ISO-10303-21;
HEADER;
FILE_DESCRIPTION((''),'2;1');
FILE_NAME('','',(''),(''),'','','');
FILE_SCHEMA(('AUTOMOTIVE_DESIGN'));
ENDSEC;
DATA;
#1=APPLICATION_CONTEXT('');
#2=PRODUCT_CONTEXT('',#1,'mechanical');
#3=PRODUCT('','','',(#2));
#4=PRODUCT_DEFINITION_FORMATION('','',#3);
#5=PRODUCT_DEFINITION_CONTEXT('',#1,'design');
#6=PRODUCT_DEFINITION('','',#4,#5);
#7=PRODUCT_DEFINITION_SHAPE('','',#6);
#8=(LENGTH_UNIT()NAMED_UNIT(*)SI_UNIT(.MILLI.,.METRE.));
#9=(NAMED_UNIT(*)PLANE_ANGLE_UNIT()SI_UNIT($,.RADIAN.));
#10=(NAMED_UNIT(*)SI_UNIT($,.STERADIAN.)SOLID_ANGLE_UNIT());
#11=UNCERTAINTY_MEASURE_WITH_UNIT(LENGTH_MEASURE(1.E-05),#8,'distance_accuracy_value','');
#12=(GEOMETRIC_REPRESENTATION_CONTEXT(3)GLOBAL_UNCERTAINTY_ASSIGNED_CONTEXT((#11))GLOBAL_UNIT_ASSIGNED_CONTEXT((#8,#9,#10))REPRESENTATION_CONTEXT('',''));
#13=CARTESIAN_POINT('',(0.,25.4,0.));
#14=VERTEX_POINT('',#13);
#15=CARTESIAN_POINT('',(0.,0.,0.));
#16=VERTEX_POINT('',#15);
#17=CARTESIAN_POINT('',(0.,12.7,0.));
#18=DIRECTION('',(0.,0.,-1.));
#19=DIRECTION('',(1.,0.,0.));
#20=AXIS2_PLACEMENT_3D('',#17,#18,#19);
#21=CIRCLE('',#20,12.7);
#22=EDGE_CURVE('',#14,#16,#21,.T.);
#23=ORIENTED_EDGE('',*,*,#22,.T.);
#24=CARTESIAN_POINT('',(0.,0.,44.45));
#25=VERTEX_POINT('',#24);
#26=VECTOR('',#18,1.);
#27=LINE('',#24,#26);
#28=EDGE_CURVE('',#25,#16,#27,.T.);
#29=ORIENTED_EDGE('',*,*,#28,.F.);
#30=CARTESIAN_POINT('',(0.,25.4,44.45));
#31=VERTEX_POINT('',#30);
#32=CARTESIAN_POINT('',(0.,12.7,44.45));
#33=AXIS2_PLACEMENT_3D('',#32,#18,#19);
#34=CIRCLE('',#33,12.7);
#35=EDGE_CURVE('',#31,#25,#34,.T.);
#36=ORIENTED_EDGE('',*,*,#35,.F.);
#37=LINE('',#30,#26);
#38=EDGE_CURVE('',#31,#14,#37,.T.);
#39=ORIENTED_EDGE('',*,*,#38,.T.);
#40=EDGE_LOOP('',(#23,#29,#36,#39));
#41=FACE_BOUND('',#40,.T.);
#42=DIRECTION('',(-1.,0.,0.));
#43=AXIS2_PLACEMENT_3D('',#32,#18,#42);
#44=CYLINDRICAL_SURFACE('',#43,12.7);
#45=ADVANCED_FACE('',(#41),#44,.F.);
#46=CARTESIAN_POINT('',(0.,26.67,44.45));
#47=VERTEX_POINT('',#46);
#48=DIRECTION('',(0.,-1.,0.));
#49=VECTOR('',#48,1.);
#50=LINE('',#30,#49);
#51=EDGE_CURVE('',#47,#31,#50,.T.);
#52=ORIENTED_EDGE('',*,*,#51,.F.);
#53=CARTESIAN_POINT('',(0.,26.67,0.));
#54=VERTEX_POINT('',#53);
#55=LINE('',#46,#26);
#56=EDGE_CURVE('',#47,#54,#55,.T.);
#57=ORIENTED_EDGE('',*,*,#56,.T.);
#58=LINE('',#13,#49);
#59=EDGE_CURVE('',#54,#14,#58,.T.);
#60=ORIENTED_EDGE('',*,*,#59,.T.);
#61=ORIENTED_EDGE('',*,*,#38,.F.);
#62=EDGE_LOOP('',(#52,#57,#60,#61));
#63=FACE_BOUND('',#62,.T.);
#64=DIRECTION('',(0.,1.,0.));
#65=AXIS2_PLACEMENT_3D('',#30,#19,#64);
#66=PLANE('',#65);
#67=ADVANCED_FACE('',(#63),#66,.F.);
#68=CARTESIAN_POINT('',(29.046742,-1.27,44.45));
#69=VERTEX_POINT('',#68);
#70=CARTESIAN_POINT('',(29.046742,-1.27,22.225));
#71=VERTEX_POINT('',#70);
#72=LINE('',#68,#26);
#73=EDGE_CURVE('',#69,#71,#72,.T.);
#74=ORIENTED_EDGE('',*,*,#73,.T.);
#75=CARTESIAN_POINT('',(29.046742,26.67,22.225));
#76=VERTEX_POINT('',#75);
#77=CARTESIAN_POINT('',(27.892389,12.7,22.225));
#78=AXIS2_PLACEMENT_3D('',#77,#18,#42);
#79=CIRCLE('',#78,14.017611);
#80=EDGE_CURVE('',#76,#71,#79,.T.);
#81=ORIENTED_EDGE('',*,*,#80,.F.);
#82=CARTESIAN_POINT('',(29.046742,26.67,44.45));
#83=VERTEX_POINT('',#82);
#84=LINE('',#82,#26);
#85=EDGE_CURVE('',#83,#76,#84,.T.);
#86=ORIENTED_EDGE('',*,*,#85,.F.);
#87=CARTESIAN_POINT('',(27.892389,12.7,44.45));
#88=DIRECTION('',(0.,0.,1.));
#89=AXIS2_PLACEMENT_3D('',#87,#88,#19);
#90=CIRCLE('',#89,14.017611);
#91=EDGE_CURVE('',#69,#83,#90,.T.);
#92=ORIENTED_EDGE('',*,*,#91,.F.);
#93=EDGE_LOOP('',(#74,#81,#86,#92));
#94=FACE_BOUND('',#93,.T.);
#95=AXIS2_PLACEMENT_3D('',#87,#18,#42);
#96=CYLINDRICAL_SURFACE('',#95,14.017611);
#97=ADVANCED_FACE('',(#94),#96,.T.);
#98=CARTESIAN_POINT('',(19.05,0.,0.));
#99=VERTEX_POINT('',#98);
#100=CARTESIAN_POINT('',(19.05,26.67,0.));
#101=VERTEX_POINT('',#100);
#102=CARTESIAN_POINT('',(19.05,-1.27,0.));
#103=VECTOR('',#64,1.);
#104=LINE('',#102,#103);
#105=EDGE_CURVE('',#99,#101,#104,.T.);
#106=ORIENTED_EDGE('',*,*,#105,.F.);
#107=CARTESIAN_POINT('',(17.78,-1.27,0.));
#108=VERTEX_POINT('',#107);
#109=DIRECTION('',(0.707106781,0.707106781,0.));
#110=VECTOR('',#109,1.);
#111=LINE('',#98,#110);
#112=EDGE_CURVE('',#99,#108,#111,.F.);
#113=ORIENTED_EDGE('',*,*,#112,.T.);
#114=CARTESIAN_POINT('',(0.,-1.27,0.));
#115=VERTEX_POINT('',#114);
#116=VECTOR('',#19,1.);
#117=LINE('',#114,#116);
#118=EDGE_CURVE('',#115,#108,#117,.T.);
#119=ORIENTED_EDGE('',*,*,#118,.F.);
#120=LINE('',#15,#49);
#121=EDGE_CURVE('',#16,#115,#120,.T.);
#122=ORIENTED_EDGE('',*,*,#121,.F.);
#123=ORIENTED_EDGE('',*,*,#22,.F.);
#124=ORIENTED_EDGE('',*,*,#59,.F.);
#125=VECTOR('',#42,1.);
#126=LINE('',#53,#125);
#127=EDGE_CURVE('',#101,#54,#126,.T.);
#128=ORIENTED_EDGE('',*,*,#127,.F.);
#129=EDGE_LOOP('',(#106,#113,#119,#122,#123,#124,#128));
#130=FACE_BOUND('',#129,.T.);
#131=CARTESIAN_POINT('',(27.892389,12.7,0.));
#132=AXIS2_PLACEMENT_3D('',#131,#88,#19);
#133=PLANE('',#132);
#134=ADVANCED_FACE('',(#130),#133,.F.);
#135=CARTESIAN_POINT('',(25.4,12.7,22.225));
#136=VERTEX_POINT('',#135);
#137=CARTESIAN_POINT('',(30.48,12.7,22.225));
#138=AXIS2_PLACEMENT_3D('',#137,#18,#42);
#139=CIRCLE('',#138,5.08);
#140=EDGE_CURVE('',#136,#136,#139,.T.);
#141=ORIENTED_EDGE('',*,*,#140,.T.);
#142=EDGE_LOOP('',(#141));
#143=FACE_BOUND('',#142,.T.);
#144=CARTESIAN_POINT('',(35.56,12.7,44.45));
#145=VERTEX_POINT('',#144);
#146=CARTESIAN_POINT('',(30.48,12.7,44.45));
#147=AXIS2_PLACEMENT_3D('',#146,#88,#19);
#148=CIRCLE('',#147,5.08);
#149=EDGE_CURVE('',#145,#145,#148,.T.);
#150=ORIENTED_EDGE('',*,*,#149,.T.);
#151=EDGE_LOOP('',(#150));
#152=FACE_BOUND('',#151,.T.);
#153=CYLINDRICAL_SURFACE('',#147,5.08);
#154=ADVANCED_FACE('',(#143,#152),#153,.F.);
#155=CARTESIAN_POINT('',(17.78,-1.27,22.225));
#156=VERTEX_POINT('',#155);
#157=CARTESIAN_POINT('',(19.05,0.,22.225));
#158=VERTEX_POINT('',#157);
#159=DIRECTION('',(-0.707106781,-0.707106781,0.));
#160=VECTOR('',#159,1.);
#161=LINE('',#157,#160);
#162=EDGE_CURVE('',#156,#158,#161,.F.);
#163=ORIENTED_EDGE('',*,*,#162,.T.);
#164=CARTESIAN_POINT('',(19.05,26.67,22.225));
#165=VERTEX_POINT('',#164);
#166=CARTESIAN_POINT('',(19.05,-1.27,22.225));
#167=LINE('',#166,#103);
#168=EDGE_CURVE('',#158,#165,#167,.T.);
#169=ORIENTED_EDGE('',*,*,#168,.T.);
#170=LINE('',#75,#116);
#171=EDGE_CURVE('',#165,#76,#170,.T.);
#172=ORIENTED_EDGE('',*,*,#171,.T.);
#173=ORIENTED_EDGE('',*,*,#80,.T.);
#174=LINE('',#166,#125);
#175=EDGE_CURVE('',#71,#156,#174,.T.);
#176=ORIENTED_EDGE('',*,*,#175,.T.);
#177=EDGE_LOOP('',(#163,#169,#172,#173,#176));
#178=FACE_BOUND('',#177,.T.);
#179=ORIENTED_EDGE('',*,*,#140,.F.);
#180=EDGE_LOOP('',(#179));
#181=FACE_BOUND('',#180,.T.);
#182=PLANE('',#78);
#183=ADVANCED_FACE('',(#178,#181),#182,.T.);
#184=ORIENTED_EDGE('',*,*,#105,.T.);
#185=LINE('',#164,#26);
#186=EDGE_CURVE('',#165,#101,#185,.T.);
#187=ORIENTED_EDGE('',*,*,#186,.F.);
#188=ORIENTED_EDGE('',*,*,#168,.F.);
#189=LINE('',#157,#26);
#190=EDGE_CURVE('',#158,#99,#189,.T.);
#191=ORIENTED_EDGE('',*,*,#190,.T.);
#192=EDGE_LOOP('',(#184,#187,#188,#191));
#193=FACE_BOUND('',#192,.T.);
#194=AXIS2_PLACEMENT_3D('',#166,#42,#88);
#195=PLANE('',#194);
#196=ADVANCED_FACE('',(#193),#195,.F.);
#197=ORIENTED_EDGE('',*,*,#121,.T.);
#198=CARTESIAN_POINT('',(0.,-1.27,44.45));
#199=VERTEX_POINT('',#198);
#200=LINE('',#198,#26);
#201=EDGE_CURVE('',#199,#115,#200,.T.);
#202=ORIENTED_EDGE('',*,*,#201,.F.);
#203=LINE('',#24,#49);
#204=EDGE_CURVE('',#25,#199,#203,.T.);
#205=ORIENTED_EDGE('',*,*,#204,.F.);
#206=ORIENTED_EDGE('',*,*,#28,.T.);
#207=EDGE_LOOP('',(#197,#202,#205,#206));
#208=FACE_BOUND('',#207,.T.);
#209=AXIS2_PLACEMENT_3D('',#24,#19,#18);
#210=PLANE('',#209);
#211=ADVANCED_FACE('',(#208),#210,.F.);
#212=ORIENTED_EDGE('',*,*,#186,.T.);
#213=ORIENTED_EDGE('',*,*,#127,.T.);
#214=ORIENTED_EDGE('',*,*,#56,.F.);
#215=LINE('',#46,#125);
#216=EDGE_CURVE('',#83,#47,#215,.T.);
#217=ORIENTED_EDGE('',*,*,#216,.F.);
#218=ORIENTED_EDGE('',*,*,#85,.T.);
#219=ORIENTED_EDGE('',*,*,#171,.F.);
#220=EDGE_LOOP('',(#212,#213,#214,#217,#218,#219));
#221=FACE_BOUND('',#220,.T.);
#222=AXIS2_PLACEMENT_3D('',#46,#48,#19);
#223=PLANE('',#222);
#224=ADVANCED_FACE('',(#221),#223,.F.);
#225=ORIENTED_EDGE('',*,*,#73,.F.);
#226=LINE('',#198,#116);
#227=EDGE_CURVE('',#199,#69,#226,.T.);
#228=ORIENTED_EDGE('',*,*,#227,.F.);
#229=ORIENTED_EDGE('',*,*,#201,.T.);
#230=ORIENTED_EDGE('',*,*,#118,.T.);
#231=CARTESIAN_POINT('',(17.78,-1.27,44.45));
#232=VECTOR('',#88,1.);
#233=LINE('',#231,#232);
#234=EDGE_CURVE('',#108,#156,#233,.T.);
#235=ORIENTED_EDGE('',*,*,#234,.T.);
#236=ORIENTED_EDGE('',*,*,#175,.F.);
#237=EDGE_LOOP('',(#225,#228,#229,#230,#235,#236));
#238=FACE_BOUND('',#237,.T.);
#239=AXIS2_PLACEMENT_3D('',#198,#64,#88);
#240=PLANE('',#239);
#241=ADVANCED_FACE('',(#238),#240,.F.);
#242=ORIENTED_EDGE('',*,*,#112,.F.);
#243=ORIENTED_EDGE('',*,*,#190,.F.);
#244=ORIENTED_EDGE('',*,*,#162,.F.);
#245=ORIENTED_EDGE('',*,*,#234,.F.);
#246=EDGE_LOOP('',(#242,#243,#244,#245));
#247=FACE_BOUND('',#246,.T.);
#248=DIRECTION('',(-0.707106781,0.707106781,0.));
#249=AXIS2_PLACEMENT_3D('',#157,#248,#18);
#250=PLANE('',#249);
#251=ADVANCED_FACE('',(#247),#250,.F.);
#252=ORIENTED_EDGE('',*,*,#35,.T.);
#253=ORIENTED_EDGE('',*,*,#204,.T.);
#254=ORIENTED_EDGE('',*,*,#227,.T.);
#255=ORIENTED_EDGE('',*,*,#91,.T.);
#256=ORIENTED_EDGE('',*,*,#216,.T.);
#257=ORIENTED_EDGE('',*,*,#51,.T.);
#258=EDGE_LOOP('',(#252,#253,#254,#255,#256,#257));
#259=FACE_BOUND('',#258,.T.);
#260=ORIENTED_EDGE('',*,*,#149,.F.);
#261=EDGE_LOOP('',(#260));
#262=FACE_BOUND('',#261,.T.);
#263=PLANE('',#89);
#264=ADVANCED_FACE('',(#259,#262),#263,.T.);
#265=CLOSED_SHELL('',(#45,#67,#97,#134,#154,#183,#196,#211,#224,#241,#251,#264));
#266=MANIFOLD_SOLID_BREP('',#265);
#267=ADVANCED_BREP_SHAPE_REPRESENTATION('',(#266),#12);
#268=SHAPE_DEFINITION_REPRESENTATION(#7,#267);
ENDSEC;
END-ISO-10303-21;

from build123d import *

# Parameters (mm, degrees)
BOSS_EXTRUDE1_DEPTH          = 44.45
CUT_EXTRUDE1_DEPTH           = 22.225
F_3_8_0_375_DIAMETER_HOLE1_D = 10.16
CHAMFER1_SIZE                = 1.27


with BuildPart() as part:
    # Sketch1 → Boss-Extrude1 (new body)
    with BuildSketch(Plane.XY):
        with BuildLine():
            Line((0, -1.27), (29.046742048, -1.27))
            ThreePointArc((29.046742048, -1.27), (41.91, 12.7), (29.046742048, 26.67))
            Line((29.046742048, 26.67), (0, 26.67))
            Line((0, 26.67), (0, 25.4))
            ThreePointArc((0, 25.4), (12.7, 12.7), (0, 0))
            Line((0, 0), (0, -1.27))
        make_face()
    extrude(amount=BOSS_EXTRUDE1_DEPTH)

    # Sketch2 → Cut-Extrude1 (cut)
    with BuildSketch(Plane(origin=(0, 0, 0), x_dir=(-1, 0, 0), z_dir=(0, 0, -1))):
        with BuildLine():
            Line((-19.05, -1.27), (-19.05, 26.67))
            Line((-19.05, 26.67), (-29.046742048, 26.67))
            ThreePointArc((-29.046742048, 26.67), (-41.91, 12.7), (-29.046742048, -1.27))
            Line((-29.046742048, -1.27), (-19.05, -1.27))
        make_face()
    extrude(amount=-CUT_EXTRUDE1_DEPTH, mode=Mode.SUBTRACT)

    # 3/8 (0.375) Diameter Hole1 (through all)
    with Locations(Plane.XY.offset(44.45)):
        with Locations((30.48, 12.7)):
            Hole(F_3_8_0_375_DIAMETER_HOLE1_D / 2)

    # Chamfer1
    chamfer1_edges = [part.edges().sort_by_distance(p)[0] for p in [
        (19.05, -1.27, 11.1125),
    ]]
    chamfer(chamfer1_edges, length=CHAMFER1_SIZE)


solid = part.part
